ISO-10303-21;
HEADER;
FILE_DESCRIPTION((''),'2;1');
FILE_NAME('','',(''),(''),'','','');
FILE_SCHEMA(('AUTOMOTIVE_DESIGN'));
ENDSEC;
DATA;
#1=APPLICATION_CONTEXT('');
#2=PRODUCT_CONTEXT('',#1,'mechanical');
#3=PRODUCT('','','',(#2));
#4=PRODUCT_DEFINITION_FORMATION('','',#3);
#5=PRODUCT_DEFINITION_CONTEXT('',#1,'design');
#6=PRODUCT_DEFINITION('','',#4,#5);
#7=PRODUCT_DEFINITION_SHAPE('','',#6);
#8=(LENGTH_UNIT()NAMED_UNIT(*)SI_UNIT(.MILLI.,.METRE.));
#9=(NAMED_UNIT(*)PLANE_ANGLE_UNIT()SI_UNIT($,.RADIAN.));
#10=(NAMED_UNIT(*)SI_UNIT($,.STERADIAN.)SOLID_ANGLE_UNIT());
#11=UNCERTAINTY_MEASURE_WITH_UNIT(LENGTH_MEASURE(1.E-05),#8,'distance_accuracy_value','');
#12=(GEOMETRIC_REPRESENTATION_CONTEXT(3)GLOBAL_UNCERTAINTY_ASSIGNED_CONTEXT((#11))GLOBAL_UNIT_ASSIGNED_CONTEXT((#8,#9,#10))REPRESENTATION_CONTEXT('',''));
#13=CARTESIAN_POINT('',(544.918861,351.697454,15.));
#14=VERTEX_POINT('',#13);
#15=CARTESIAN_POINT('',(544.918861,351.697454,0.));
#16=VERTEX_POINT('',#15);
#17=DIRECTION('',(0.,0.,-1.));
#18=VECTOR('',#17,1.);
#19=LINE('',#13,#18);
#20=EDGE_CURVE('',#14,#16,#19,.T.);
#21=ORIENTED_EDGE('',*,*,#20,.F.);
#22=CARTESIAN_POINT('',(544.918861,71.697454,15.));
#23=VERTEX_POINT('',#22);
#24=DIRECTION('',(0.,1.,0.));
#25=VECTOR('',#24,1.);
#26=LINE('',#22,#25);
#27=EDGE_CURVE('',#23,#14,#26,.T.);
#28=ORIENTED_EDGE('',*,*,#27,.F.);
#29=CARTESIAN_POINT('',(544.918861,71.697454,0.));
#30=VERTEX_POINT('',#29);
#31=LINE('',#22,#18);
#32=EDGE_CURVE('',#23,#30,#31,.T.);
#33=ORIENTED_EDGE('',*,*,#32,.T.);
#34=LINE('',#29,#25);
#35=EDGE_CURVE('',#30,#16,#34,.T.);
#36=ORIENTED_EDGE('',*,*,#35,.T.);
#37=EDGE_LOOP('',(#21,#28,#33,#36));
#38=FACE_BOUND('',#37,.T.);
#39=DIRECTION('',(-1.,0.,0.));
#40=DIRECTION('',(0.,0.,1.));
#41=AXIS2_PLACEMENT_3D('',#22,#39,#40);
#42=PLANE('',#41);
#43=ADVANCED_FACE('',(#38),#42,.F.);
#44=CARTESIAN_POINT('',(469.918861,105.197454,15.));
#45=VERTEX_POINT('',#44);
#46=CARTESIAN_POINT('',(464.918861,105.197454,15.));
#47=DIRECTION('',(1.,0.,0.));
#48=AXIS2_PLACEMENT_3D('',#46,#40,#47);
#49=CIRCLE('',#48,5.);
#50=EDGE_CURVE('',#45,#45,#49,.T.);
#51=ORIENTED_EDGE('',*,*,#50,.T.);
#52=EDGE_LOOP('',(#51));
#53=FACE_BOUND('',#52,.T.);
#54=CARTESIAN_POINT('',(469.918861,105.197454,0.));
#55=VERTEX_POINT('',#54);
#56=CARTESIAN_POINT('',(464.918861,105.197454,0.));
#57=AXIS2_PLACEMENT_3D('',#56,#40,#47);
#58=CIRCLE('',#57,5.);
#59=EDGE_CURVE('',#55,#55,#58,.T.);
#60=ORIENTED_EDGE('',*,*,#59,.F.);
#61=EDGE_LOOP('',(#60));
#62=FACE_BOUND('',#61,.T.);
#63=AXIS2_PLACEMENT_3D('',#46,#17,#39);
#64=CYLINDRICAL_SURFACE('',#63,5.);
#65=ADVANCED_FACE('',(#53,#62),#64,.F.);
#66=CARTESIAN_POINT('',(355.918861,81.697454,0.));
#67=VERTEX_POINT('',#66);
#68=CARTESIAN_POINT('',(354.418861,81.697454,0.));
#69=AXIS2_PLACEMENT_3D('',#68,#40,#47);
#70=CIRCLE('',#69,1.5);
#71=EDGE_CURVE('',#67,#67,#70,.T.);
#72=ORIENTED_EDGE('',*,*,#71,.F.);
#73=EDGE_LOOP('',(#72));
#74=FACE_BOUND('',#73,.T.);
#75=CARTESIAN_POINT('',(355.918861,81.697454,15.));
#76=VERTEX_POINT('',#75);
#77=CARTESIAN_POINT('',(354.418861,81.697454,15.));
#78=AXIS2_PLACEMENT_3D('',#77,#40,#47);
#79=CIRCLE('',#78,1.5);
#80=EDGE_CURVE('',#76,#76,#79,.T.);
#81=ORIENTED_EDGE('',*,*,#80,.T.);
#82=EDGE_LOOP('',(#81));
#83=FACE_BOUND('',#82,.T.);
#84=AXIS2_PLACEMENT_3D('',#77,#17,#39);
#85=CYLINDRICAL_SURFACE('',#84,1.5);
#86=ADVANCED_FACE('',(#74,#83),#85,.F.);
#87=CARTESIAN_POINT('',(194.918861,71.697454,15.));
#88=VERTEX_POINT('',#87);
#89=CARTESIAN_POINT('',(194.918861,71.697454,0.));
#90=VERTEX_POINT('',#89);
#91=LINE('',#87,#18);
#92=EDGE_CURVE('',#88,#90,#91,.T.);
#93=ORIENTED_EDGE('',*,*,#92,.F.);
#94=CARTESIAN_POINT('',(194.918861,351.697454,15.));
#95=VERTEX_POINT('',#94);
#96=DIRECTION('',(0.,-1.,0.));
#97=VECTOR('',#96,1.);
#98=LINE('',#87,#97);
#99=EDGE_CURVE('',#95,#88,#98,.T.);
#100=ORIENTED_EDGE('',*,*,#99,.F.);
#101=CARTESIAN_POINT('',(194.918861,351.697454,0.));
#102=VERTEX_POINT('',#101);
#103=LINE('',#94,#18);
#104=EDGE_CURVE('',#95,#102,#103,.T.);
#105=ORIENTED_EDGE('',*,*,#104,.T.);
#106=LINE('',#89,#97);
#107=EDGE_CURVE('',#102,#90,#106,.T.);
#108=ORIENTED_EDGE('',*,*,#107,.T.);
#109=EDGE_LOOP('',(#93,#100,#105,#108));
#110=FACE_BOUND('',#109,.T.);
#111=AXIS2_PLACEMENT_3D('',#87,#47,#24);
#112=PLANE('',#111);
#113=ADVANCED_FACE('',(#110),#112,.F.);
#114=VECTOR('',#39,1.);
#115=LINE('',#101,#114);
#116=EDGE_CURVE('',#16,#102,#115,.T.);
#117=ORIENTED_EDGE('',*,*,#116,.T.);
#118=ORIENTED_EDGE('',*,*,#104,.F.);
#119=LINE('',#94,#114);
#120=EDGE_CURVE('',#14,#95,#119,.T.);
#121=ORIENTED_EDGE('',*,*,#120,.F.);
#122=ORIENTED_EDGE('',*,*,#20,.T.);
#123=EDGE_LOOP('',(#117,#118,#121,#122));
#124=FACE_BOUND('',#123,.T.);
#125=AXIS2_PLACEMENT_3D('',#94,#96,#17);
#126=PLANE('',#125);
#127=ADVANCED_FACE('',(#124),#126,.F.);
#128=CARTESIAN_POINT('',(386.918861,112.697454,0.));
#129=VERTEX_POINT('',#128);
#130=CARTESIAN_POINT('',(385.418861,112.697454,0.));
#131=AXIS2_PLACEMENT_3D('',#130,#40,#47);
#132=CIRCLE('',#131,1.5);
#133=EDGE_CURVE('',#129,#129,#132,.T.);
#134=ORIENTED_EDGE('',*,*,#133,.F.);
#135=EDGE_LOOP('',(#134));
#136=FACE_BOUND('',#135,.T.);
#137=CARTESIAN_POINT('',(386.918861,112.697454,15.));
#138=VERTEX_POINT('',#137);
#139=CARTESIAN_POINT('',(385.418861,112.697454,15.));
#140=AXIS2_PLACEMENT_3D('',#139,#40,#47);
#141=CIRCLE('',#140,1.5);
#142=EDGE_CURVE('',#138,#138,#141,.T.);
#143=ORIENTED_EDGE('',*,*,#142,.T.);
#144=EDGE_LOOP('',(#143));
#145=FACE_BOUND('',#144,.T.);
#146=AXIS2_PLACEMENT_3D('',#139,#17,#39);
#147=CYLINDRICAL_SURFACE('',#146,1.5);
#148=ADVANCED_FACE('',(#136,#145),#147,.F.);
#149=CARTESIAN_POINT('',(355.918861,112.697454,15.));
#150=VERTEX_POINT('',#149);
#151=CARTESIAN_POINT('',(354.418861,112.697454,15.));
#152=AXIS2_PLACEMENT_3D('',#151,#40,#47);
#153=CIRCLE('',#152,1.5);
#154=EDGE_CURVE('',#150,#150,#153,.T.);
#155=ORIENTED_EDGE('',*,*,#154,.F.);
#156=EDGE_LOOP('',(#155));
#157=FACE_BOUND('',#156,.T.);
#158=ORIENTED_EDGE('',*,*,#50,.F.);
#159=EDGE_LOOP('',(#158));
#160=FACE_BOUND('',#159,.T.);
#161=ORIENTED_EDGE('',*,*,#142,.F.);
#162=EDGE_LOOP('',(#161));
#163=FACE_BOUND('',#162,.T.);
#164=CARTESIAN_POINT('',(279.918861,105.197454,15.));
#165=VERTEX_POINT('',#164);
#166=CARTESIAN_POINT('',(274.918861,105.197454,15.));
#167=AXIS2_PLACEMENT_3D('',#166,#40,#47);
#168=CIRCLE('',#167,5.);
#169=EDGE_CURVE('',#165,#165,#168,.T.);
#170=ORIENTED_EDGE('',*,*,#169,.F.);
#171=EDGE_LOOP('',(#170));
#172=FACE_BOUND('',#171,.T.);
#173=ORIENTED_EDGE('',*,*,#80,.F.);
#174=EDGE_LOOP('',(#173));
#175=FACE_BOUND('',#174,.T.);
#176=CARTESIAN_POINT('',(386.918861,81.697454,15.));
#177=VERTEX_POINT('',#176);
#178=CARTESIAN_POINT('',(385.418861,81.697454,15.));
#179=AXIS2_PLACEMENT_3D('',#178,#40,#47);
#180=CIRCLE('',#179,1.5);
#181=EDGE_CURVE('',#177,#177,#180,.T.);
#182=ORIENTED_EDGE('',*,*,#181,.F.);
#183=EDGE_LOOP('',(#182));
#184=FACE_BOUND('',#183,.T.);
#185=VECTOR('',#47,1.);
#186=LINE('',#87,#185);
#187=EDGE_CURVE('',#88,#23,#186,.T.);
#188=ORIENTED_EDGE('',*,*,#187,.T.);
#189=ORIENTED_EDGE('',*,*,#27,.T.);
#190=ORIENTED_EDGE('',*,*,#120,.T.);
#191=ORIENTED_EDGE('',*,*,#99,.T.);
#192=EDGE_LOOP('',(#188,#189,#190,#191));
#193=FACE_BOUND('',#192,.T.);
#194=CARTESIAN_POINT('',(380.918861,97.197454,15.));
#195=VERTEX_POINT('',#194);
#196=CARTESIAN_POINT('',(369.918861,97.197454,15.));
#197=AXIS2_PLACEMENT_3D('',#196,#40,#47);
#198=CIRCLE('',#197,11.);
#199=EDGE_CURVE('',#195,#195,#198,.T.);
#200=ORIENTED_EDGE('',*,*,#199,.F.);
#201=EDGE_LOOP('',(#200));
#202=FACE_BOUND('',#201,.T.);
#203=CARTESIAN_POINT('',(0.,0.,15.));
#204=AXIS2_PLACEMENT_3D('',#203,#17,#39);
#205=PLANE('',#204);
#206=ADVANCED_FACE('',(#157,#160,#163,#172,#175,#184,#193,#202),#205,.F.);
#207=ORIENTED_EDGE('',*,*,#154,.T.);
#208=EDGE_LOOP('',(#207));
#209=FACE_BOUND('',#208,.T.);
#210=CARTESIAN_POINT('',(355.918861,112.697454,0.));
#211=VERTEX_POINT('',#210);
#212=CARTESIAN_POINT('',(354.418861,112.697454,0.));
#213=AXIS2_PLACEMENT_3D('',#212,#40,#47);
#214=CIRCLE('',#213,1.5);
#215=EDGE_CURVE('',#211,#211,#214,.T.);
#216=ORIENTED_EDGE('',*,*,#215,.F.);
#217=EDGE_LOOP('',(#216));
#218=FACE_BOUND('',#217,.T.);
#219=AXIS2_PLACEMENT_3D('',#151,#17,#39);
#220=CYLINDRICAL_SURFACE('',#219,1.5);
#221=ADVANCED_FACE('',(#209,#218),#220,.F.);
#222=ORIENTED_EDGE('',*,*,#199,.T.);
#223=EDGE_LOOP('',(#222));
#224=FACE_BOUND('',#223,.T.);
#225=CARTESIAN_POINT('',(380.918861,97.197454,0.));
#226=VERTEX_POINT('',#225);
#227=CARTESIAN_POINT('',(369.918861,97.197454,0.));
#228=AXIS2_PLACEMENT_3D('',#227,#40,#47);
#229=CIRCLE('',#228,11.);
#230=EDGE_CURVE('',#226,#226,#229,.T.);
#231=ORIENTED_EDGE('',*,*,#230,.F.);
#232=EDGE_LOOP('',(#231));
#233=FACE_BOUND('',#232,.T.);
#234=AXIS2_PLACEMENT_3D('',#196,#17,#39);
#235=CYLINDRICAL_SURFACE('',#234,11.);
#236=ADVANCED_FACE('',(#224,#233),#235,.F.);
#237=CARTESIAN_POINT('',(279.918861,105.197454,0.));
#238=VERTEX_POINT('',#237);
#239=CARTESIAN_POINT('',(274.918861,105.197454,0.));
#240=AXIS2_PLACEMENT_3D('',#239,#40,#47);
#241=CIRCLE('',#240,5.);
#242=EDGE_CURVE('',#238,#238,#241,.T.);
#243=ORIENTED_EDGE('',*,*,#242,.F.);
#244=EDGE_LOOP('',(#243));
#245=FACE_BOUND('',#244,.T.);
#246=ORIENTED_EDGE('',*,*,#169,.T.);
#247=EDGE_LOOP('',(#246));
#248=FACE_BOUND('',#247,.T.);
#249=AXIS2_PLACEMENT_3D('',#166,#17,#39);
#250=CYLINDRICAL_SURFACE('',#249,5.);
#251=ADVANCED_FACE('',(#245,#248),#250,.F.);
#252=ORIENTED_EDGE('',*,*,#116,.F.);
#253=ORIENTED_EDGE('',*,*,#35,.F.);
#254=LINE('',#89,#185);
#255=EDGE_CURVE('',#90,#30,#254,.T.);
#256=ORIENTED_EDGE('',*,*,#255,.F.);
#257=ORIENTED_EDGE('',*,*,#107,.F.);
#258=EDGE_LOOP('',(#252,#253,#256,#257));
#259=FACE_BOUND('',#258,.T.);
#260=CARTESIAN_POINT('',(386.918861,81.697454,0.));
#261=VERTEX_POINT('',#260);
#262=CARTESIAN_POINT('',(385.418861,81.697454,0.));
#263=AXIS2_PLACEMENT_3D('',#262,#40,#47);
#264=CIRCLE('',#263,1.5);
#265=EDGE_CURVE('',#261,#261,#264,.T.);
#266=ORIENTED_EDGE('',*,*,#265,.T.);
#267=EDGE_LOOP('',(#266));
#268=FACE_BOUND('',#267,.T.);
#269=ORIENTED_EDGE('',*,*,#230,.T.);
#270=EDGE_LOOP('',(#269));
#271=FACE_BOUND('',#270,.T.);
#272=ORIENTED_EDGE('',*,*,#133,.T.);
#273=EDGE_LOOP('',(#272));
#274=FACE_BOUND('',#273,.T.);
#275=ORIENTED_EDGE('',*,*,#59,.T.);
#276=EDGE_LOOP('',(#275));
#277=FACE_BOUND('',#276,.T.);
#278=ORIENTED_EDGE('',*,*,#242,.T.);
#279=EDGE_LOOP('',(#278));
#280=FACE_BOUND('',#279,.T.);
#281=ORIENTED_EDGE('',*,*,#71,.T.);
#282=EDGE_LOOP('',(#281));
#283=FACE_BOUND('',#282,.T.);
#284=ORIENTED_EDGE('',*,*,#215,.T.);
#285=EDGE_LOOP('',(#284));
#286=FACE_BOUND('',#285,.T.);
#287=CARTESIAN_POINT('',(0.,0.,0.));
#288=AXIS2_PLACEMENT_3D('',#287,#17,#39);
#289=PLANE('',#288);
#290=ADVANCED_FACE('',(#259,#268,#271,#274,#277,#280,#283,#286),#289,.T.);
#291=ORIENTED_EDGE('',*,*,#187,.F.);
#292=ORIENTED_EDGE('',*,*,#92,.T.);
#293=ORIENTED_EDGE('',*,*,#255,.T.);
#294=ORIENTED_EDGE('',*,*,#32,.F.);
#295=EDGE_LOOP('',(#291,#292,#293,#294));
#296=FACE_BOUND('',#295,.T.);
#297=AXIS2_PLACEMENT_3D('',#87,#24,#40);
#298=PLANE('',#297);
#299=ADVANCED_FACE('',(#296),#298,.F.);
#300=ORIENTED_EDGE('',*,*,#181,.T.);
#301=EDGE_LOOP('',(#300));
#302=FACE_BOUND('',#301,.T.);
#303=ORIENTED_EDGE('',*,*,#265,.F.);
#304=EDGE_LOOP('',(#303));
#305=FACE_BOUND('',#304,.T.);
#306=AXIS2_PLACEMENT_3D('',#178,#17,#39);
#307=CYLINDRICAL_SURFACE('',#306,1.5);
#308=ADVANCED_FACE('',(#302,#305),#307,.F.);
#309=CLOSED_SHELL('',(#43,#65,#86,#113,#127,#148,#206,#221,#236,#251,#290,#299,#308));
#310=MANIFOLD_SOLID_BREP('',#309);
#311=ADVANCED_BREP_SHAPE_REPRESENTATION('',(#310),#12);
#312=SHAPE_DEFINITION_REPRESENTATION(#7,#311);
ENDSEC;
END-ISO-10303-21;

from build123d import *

# Parameters (mm, degrees)
SKETCH3_W           = 350
SKETCH3_H           = 280
SKETCH3_R           = 1.5
SKETCH3_R_2         = 11
SKETCH3_R_3         = 5
BOSS_EXTRUDE3_DEPTH = 15


with BuildPart() as part:
    # Sketch3 → Boss-Extrude3 (new body)
    with BuildSketch(Plane.XY):
        with Locations((369.918861249, 211.697453917)):
            Rectangle(SKETCH3_W, SKETCH3_H)
        with Locations((354.418861249, 112.697453917)):
            Circle(SKETCH3_R, mode=Mode.SUBTRACT)
        with Locations((385.418861249, 112.697453917)):
            Circle(SKETCH3_R, mode=Mode.SUBTRACT)
        with Locations((354.418861249, 81.697453917)):
            Circle(SKETCH3_R, mode=Mode.SUBTRACT)
        with Locations((385.418861249, 81.697453917)):
            Circle(SKETCH3_R, mode=Mode.SUBTRACT)
        with Locations((369.918861249, 97.197453917)):
            Circle(SKETCH3_R_2, mode=Mode.SUBTRACT)
        with Locations((274.918861249, 105.197453917)):
            Circle(SKETCH3_R_3, mode=Mode.SUBTRACT)
        with Locations((464.918861249, 105.197453917)):
            Circle(SKETCH3_R_3, mode=Mode.SUBTRACT)
    extrude(amount=BOSS_EXTRUDE3_DEPTH)


solid = part.part
